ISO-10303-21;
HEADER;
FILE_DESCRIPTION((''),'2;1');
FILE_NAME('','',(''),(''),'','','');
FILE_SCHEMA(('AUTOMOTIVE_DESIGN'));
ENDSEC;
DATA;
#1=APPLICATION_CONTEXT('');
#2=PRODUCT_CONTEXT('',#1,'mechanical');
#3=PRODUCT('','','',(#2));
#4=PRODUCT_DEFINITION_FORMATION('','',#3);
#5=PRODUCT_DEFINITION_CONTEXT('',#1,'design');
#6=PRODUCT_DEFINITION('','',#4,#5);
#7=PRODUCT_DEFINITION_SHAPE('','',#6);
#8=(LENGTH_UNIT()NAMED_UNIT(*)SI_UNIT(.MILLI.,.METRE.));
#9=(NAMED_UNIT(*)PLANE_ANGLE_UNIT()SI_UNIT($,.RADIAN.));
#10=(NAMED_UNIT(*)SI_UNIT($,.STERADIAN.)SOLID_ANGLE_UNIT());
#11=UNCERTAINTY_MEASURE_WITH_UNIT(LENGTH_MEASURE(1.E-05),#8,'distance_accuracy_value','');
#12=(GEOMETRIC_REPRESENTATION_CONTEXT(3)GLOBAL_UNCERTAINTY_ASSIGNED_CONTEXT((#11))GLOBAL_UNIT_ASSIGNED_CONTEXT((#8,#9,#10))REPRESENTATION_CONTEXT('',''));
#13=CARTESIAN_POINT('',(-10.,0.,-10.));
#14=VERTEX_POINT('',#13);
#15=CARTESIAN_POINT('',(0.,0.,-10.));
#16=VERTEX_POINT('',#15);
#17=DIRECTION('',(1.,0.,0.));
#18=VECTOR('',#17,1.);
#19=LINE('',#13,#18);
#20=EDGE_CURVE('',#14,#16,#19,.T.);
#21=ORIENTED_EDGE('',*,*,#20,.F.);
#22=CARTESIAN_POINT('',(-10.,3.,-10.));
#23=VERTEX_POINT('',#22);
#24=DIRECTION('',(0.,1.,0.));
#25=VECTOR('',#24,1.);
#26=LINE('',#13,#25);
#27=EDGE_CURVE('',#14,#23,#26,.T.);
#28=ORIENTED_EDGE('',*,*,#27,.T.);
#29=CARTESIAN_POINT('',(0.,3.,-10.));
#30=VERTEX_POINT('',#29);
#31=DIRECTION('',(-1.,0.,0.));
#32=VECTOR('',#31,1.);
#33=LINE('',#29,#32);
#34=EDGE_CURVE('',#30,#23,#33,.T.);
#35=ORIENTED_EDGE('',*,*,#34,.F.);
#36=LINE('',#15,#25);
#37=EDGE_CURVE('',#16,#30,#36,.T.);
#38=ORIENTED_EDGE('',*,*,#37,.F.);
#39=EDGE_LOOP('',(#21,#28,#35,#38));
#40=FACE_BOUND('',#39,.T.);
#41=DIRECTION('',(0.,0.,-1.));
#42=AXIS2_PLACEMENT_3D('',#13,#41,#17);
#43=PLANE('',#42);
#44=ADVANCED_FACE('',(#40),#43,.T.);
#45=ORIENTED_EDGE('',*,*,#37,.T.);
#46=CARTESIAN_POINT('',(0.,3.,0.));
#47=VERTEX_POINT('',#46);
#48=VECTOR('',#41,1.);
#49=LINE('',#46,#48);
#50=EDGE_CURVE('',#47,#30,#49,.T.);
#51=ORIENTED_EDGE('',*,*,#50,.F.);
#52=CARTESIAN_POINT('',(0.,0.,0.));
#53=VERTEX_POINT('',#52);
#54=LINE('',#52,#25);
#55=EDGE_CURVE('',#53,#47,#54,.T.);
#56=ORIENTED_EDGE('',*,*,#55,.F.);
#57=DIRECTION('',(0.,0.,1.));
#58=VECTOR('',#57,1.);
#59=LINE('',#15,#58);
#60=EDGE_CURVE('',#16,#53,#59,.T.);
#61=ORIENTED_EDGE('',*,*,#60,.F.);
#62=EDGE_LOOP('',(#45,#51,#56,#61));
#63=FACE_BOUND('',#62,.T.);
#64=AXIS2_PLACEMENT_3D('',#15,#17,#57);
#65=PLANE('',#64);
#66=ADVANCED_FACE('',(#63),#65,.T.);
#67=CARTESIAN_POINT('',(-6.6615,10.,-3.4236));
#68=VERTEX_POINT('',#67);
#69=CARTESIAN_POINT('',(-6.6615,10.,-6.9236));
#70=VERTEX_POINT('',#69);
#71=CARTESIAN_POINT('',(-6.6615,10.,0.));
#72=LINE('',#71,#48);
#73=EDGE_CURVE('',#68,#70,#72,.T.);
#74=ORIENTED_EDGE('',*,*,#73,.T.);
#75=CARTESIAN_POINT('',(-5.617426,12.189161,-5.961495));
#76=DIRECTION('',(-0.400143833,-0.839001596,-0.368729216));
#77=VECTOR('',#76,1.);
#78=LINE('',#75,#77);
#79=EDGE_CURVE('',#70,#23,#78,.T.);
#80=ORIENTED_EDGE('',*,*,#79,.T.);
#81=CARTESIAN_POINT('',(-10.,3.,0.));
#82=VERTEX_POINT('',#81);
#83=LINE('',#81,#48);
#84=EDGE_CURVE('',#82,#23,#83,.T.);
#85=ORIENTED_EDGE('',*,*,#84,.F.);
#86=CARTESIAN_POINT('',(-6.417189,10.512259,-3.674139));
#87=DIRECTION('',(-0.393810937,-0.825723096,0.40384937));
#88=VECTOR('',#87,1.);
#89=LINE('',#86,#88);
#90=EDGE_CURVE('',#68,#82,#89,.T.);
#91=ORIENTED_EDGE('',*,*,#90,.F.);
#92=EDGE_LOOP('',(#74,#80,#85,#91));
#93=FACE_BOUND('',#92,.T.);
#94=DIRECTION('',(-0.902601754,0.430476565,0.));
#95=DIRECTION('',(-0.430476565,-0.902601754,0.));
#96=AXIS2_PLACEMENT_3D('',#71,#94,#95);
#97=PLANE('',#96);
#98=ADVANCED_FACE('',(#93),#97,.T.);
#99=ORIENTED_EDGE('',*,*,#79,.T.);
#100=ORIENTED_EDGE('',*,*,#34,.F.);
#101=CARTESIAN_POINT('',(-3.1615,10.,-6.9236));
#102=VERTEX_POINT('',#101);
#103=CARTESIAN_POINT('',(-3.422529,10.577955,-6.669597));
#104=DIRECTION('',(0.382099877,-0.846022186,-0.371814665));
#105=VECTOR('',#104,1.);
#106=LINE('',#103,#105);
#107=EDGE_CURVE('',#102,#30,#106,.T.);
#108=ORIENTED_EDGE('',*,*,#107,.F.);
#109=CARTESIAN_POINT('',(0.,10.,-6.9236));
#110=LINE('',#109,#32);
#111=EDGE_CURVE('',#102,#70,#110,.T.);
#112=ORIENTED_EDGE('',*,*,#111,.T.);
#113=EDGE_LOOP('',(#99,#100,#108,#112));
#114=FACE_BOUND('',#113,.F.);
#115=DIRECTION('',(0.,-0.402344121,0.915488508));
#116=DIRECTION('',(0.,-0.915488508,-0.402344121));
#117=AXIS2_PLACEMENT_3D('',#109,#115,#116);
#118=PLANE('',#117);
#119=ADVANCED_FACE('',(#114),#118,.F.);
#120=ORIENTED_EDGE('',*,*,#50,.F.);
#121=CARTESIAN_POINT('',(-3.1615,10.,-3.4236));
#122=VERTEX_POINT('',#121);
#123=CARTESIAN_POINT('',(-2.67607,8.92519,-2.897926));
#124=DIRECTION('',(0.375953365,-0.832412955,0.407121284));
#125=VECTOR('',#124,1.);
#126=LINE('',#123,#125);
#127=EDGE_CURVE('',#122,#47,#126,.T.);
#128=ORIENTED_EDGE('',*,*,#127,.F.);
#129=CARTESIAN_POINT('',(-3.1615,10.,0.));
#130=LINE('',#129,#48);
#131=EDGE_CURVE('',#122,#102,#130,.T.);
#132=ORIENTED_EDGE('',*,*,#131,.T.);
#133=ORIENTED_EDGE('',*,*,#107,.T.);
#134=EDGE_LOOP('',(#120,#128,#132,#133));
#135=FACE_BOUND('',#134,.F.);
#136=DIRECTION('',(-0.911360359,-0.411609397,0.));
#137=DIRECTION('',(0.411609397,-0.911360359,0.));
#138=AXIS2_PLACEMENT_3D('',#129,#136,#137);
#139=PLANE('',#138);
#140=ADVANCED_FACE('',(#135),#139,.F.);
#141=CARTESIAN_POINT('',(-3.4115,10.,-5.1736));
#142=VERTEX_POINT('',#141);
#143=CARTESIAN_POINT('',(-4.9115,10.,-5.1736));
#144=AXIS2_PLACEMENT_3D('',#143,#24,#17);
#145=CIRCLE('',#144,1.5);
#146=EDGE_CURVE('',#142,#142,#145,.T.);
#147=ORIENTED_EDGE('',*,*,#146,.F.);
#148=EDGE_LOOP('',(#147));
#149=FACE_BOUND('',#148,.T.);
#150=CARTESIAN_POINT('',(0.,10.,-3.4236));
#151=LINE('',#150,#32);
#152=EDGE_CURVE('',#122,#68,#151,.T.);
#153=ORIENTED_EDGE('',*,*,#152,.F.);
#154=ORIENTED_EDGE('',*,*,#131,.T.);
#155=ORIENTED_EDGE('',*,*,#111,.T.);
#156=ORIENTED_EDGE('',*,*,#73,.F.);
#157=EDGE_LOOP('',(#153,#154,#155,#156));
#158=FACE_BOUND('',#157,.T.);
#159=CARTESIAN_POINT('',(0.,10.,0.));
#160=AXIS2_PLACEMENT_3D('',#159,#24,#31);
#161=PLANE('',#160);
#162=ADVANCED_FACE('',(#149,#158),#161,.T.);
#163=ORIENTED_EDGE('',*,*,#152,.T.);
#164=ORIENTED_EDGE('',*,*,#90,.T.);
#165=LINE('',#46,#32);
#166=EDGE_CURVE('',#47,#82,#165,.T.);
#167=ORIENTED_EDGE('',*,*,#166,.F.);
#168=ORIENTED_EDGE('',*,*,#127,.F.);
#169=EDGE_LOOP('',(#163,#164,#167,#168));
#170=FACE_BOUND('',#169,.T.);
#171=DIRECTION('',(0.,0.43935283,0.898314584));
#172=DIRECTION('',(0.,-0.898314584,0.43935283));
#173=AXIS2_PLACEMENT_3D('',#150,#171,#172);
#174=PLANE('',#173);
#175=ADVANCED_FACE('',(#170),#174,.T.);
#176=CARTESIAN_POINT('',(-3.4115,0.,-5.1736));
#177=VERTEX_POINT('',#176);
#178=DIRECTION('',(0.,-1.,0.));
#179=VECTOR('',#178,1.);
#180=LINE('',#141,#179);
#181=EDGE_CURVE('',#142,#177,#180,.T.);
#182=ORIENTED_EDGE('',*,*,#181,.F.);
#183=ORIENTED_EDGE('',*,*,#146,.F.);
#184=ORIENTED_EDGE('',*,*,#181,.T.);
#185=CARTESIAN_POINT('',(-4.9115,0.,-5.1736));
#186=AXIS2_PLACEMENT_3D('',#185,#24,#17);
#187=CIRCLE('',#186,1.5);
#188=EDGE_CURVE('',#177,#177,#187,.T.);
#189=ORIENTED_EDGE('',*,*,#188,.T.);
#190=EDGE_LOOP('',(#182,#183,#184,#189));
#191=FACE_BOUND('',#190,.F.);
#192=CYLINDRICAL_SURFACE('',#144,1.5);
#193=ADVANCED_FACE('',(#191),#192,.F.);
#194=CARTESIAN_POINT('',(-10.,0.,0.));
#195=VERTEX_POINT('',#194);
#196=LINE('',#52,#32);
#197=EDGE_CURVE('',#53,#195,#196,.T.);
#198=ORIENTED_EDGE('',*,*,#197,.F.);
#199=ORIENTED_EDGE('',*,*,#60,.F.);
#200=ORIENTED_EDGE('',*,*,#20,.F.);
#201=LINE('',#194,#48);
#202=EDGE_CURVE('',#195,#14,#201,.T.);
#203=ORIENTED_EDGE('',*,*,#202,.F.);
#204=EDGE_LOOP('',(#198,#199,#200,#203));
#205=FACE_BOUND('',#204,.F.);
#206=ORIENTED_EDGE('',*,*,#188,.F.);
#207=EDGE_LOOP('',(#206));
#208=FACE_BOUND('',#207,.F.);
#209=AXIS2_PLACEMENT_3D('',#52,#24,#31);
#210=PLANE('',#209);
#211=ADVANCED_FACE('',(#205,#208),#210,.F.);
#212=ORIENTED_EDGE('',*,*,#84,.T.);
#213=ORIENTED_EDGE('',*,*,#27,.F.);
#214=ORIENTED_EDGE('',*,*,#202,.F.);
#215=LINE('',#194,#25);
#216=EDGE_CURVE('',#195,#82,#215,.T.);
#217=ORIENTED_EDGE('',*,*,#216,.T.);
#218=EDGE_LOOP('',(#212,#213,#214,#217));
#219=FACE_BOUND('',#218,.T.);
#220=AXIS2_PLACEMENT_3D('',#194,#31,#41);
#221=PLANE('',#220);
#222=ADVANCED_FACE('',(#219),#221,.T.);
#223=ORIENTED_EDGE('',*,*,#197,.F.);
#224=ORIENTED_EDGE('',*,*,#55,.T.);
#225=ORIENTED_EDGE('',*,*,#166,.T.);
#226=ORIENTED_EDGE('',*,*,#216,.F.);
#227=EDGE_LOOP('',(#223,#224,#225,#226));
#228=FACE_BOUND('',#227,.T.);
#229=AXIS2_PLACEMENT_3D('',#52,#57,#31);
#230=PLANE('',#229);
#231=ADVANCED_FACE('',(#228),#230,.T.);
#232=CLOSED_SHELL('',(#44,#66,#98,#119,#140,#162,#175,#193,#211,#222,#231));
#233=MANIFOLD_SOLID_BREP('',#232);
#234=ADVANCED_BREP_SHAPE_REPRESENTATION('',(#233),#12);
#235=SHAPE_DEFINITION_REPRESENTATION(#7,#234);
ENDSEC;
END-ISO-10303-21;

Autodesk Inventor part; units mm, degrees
ref_plane "YZ Plane" through (0, 0, 0) normal (1, 0, 0) x (0, 1, 0)
ref_plane "XZ Plane" through (0, 0, 0) normal (0, 1, 0) x (-1, 0, 0)
ref_plane "XY Plane" through (0, 0, 0) normal (0, 0, 1) x (1, 0, 0)
sketch "Sketch3" plane through (0, 0, 0) normal (0, 1, 0) x (-1, 0, 0)
  line L0 (10, 0) -> (10, -10)
  line L1 (10, -10) -> (0, -10)
  line L2 (0, -10) -> (0, 0)
  line L3 (0, 0) -> (10, 0)
  dimension "d0" = 10
  dimension "d1" = 10
extrude "Extrusion1" add sketch "Sketch3" along normal blind 10
sketch "Sketch4" plane through (0, 0, 0) normal (1, 0, 0) x (0, 0, -1)
  line L0 (10, 10) -> (0, 10) projected
  line L1 (3.4236, 10) -> (0, 3)
  line L2 (0, 0) -> (0, 10) projected
  line L3 (6.9236, 10) -> (10, 3)
  line L4 (10, 0) -> (10, 10) projected
  line L5 (3.4236, 10) -> (6.9236, 10)
  dimension "d4" = 3.5
  dimension "d5" = 7
  dimension "d6" = 7
extrude "Extrusion2" cut sketch "Sketch4" against normal blind 10
sketch "Sketch6" plane through (-10, 0, 0) normal (0, 0, 1) x (1, 0, 0)
  line L0 (0, 10) -> (10, 10) projected
  line L1 (3.3385, 10) -> (0, 3)
  line L2 (0, 3) -> (0, 10) projected
  line L3 (3.3385, 10) -> (6.8385, 10)
  line L4 (6.8385, 10) -> (10, 3)
  line L5 (10, 10) -> (10, 3) projected
  point P0 (10, 0)
  dimension "d12" = 3.5
  dimension "d13" = 7
  dimension "d14" = 7
extrude "Extrusion3" cut sketch "Sketch6" against normal blind 10
sketch "Sketch7" plane through (0, 10, 0) normal (0, 1, 0) x (1, 0, 0)
  circle A0 centre (-4.9115, 5.1736) radius 1.5
  line L0 (-6.6615, 3.4236) -> (-3.1615, 3.4236) projected
  point P0 (0, 0)
  dimension "d17" = 1.75
  dimension "d18" = 3
extrude "Extrusion4" cut sketch "Sketch7" against normal blind 10
properties part number "Stand"
